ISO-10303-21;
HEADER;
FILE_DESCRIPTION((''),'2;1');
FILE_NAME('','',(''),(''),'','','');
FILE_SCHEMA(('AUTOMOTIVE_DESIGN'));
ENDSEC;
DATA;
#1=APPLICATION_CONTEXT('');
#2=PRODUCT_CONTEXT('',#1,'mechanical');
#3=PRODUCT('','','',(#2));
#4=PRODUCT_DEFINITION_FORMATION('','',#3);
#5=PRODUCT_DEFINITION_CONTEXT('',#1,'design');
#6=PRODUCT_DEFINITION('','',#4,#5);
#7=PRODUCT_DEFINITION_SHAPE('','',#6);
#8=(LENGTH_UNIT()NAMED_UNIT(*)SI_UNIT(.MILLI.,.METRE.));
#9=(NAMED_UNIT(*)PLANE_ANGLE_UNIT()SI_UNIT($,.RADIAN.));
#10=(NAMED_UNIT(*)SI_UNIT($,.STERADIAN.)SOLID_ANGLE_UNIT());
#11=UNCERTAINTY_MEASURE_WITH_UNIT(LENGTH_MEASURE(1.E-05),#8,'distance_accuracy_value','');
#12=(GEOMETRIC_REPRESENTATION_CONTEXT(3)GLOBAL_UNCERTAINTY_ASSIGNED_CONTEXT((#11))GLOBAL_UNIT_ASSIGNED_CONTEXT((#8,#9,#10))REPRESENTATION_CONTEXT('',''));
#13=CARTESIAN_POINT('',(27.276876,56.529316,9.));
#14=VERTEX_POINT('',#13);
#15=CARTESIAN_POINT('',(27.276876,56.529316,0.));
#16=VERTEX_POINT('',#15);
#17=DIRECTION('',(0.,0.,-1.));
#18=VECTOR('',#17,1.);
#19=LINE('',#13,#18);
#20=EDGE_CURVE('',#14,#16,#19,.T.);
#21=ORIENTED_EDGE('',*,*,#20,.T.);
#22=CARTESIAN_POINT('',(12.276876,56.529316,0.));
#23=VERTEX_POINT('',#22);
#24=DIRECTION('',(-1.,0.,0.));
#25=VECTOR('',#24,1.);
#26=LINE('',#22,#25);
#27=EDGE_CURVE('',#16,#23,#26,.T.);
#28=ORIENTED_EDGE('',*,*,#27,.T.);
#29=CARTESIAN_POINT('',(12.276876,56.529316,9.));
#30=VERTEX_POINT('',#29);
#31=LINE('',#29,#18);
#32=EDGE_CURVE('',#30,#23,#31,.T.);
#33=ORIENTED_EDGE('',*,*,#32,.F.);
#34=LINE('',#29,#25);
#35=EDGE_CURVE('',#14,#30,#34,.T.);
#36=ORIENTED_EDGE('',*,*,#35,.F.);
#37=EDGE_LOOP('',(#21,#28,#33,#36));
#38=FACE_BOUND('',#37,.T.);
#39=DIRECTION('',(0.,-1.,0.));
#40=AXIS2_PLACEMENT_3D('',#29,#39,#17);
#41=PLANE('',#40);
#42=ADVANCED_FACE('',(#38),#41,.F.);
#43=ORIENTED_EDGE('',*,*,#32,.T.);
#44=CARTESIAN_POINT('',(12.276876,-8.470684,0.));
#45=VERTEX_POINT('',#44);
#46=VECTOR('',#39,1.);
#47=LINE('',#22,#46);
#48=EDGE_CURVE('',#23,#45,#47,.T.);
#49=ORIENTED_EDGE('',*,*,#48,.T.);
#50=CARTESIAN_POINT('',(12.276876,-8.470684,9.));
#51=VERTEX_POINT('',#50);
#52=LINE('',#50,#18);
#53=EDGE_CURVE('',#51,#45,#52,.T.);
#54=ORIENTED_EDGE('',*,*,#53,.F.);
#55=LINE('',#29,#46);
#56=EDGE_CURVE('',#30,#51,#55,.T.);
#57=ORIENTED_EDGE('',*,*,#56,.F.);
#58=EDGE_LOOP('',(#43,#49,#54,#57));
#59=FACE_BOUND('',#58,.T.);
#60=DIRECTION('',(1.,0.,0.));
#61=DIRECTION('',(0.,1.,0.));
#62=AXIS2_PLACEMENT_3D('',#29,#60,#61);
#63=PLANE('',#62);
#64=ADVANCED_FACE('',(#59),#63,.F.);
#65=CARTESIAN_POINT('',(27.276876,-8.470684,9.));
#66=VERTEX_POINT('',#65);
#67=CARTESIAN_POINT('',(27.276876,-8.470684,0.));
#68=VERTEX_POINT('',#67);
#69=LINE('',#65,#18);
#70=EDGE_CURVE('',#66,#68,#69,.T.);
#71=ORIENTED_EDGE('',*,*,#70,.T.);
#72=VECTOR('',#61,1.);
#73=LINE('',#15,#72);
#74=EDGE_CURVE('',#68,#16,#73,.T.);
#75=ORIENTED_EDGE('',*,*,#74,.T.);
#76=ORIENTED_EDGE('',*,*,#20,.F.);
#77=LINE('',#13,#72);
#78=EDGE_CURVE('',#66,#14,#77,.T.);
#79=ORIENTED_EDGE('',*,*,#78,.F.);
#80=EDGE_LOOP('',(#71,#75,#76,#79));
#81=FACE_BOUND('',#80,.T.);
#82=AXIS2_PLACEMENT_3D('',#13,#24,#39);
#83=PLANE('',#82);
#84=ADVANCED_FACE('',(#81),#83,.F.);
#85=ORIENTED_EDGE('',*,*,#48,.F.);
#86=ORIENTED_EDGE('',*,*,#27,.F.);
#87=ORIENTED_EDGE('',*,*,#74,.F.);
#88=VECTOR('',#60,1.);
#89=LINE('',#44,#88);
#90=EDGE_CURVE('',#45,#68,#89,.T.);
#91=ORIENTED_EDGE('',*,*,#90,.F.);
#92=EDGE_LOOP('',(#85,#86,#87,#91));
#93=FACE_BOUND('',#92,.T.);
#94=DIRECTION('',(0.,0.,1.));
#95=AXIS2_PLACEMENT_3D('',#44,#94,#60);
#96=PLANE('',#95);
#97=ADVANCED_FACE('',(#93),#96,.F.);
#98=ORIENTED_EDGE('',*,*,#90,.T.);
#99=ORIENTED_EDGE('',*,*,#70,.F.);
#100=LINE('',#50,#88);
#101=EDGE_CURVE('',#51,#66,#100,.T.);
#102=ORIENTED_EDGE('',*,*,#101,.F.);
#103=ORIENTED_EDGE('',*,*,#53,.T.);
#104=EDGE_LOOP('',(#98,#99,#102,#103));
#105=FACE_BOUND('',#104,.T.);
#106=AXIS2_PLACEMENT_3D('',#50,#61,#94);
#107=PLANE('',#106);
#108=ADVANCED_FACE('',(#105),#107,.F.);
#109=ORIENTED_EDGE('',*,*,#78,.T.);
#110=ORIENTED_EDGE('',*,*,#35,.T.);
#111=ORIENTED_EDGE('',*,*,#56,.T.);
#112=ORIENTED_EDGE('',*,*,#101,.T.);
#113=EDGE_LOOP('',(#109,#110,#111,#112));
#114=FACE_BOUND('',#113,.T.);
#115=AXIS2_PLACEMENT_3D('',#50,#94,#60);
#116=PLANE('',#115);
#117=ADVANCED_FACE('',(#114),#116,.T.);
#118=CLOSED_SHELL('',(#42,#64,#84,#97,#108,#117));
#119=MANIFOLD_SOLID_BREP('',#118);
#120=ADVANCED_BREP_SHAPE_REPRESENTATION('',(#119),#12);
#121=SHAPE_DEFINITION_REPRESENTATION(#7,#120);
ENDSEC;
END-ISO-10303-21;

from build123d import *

# Parameters (mm, degrees)
ESQUISSE1_W      = 15
ESQUISSE1_H      = 65
EXTRUSION1_DEPTH = 9


with BuildPart() as part:
    # Esquisse1 → Extrusion1 (new body)
    with BuildSketch(Plane.XY):
        with Locations((19.776876457, 24.029316239)):
            Rectangle(ESQUISSE1_W, ESQUISSE1_H)
    extrude(amount=EXTRUSION1_DEPTH)


solid = part.part
